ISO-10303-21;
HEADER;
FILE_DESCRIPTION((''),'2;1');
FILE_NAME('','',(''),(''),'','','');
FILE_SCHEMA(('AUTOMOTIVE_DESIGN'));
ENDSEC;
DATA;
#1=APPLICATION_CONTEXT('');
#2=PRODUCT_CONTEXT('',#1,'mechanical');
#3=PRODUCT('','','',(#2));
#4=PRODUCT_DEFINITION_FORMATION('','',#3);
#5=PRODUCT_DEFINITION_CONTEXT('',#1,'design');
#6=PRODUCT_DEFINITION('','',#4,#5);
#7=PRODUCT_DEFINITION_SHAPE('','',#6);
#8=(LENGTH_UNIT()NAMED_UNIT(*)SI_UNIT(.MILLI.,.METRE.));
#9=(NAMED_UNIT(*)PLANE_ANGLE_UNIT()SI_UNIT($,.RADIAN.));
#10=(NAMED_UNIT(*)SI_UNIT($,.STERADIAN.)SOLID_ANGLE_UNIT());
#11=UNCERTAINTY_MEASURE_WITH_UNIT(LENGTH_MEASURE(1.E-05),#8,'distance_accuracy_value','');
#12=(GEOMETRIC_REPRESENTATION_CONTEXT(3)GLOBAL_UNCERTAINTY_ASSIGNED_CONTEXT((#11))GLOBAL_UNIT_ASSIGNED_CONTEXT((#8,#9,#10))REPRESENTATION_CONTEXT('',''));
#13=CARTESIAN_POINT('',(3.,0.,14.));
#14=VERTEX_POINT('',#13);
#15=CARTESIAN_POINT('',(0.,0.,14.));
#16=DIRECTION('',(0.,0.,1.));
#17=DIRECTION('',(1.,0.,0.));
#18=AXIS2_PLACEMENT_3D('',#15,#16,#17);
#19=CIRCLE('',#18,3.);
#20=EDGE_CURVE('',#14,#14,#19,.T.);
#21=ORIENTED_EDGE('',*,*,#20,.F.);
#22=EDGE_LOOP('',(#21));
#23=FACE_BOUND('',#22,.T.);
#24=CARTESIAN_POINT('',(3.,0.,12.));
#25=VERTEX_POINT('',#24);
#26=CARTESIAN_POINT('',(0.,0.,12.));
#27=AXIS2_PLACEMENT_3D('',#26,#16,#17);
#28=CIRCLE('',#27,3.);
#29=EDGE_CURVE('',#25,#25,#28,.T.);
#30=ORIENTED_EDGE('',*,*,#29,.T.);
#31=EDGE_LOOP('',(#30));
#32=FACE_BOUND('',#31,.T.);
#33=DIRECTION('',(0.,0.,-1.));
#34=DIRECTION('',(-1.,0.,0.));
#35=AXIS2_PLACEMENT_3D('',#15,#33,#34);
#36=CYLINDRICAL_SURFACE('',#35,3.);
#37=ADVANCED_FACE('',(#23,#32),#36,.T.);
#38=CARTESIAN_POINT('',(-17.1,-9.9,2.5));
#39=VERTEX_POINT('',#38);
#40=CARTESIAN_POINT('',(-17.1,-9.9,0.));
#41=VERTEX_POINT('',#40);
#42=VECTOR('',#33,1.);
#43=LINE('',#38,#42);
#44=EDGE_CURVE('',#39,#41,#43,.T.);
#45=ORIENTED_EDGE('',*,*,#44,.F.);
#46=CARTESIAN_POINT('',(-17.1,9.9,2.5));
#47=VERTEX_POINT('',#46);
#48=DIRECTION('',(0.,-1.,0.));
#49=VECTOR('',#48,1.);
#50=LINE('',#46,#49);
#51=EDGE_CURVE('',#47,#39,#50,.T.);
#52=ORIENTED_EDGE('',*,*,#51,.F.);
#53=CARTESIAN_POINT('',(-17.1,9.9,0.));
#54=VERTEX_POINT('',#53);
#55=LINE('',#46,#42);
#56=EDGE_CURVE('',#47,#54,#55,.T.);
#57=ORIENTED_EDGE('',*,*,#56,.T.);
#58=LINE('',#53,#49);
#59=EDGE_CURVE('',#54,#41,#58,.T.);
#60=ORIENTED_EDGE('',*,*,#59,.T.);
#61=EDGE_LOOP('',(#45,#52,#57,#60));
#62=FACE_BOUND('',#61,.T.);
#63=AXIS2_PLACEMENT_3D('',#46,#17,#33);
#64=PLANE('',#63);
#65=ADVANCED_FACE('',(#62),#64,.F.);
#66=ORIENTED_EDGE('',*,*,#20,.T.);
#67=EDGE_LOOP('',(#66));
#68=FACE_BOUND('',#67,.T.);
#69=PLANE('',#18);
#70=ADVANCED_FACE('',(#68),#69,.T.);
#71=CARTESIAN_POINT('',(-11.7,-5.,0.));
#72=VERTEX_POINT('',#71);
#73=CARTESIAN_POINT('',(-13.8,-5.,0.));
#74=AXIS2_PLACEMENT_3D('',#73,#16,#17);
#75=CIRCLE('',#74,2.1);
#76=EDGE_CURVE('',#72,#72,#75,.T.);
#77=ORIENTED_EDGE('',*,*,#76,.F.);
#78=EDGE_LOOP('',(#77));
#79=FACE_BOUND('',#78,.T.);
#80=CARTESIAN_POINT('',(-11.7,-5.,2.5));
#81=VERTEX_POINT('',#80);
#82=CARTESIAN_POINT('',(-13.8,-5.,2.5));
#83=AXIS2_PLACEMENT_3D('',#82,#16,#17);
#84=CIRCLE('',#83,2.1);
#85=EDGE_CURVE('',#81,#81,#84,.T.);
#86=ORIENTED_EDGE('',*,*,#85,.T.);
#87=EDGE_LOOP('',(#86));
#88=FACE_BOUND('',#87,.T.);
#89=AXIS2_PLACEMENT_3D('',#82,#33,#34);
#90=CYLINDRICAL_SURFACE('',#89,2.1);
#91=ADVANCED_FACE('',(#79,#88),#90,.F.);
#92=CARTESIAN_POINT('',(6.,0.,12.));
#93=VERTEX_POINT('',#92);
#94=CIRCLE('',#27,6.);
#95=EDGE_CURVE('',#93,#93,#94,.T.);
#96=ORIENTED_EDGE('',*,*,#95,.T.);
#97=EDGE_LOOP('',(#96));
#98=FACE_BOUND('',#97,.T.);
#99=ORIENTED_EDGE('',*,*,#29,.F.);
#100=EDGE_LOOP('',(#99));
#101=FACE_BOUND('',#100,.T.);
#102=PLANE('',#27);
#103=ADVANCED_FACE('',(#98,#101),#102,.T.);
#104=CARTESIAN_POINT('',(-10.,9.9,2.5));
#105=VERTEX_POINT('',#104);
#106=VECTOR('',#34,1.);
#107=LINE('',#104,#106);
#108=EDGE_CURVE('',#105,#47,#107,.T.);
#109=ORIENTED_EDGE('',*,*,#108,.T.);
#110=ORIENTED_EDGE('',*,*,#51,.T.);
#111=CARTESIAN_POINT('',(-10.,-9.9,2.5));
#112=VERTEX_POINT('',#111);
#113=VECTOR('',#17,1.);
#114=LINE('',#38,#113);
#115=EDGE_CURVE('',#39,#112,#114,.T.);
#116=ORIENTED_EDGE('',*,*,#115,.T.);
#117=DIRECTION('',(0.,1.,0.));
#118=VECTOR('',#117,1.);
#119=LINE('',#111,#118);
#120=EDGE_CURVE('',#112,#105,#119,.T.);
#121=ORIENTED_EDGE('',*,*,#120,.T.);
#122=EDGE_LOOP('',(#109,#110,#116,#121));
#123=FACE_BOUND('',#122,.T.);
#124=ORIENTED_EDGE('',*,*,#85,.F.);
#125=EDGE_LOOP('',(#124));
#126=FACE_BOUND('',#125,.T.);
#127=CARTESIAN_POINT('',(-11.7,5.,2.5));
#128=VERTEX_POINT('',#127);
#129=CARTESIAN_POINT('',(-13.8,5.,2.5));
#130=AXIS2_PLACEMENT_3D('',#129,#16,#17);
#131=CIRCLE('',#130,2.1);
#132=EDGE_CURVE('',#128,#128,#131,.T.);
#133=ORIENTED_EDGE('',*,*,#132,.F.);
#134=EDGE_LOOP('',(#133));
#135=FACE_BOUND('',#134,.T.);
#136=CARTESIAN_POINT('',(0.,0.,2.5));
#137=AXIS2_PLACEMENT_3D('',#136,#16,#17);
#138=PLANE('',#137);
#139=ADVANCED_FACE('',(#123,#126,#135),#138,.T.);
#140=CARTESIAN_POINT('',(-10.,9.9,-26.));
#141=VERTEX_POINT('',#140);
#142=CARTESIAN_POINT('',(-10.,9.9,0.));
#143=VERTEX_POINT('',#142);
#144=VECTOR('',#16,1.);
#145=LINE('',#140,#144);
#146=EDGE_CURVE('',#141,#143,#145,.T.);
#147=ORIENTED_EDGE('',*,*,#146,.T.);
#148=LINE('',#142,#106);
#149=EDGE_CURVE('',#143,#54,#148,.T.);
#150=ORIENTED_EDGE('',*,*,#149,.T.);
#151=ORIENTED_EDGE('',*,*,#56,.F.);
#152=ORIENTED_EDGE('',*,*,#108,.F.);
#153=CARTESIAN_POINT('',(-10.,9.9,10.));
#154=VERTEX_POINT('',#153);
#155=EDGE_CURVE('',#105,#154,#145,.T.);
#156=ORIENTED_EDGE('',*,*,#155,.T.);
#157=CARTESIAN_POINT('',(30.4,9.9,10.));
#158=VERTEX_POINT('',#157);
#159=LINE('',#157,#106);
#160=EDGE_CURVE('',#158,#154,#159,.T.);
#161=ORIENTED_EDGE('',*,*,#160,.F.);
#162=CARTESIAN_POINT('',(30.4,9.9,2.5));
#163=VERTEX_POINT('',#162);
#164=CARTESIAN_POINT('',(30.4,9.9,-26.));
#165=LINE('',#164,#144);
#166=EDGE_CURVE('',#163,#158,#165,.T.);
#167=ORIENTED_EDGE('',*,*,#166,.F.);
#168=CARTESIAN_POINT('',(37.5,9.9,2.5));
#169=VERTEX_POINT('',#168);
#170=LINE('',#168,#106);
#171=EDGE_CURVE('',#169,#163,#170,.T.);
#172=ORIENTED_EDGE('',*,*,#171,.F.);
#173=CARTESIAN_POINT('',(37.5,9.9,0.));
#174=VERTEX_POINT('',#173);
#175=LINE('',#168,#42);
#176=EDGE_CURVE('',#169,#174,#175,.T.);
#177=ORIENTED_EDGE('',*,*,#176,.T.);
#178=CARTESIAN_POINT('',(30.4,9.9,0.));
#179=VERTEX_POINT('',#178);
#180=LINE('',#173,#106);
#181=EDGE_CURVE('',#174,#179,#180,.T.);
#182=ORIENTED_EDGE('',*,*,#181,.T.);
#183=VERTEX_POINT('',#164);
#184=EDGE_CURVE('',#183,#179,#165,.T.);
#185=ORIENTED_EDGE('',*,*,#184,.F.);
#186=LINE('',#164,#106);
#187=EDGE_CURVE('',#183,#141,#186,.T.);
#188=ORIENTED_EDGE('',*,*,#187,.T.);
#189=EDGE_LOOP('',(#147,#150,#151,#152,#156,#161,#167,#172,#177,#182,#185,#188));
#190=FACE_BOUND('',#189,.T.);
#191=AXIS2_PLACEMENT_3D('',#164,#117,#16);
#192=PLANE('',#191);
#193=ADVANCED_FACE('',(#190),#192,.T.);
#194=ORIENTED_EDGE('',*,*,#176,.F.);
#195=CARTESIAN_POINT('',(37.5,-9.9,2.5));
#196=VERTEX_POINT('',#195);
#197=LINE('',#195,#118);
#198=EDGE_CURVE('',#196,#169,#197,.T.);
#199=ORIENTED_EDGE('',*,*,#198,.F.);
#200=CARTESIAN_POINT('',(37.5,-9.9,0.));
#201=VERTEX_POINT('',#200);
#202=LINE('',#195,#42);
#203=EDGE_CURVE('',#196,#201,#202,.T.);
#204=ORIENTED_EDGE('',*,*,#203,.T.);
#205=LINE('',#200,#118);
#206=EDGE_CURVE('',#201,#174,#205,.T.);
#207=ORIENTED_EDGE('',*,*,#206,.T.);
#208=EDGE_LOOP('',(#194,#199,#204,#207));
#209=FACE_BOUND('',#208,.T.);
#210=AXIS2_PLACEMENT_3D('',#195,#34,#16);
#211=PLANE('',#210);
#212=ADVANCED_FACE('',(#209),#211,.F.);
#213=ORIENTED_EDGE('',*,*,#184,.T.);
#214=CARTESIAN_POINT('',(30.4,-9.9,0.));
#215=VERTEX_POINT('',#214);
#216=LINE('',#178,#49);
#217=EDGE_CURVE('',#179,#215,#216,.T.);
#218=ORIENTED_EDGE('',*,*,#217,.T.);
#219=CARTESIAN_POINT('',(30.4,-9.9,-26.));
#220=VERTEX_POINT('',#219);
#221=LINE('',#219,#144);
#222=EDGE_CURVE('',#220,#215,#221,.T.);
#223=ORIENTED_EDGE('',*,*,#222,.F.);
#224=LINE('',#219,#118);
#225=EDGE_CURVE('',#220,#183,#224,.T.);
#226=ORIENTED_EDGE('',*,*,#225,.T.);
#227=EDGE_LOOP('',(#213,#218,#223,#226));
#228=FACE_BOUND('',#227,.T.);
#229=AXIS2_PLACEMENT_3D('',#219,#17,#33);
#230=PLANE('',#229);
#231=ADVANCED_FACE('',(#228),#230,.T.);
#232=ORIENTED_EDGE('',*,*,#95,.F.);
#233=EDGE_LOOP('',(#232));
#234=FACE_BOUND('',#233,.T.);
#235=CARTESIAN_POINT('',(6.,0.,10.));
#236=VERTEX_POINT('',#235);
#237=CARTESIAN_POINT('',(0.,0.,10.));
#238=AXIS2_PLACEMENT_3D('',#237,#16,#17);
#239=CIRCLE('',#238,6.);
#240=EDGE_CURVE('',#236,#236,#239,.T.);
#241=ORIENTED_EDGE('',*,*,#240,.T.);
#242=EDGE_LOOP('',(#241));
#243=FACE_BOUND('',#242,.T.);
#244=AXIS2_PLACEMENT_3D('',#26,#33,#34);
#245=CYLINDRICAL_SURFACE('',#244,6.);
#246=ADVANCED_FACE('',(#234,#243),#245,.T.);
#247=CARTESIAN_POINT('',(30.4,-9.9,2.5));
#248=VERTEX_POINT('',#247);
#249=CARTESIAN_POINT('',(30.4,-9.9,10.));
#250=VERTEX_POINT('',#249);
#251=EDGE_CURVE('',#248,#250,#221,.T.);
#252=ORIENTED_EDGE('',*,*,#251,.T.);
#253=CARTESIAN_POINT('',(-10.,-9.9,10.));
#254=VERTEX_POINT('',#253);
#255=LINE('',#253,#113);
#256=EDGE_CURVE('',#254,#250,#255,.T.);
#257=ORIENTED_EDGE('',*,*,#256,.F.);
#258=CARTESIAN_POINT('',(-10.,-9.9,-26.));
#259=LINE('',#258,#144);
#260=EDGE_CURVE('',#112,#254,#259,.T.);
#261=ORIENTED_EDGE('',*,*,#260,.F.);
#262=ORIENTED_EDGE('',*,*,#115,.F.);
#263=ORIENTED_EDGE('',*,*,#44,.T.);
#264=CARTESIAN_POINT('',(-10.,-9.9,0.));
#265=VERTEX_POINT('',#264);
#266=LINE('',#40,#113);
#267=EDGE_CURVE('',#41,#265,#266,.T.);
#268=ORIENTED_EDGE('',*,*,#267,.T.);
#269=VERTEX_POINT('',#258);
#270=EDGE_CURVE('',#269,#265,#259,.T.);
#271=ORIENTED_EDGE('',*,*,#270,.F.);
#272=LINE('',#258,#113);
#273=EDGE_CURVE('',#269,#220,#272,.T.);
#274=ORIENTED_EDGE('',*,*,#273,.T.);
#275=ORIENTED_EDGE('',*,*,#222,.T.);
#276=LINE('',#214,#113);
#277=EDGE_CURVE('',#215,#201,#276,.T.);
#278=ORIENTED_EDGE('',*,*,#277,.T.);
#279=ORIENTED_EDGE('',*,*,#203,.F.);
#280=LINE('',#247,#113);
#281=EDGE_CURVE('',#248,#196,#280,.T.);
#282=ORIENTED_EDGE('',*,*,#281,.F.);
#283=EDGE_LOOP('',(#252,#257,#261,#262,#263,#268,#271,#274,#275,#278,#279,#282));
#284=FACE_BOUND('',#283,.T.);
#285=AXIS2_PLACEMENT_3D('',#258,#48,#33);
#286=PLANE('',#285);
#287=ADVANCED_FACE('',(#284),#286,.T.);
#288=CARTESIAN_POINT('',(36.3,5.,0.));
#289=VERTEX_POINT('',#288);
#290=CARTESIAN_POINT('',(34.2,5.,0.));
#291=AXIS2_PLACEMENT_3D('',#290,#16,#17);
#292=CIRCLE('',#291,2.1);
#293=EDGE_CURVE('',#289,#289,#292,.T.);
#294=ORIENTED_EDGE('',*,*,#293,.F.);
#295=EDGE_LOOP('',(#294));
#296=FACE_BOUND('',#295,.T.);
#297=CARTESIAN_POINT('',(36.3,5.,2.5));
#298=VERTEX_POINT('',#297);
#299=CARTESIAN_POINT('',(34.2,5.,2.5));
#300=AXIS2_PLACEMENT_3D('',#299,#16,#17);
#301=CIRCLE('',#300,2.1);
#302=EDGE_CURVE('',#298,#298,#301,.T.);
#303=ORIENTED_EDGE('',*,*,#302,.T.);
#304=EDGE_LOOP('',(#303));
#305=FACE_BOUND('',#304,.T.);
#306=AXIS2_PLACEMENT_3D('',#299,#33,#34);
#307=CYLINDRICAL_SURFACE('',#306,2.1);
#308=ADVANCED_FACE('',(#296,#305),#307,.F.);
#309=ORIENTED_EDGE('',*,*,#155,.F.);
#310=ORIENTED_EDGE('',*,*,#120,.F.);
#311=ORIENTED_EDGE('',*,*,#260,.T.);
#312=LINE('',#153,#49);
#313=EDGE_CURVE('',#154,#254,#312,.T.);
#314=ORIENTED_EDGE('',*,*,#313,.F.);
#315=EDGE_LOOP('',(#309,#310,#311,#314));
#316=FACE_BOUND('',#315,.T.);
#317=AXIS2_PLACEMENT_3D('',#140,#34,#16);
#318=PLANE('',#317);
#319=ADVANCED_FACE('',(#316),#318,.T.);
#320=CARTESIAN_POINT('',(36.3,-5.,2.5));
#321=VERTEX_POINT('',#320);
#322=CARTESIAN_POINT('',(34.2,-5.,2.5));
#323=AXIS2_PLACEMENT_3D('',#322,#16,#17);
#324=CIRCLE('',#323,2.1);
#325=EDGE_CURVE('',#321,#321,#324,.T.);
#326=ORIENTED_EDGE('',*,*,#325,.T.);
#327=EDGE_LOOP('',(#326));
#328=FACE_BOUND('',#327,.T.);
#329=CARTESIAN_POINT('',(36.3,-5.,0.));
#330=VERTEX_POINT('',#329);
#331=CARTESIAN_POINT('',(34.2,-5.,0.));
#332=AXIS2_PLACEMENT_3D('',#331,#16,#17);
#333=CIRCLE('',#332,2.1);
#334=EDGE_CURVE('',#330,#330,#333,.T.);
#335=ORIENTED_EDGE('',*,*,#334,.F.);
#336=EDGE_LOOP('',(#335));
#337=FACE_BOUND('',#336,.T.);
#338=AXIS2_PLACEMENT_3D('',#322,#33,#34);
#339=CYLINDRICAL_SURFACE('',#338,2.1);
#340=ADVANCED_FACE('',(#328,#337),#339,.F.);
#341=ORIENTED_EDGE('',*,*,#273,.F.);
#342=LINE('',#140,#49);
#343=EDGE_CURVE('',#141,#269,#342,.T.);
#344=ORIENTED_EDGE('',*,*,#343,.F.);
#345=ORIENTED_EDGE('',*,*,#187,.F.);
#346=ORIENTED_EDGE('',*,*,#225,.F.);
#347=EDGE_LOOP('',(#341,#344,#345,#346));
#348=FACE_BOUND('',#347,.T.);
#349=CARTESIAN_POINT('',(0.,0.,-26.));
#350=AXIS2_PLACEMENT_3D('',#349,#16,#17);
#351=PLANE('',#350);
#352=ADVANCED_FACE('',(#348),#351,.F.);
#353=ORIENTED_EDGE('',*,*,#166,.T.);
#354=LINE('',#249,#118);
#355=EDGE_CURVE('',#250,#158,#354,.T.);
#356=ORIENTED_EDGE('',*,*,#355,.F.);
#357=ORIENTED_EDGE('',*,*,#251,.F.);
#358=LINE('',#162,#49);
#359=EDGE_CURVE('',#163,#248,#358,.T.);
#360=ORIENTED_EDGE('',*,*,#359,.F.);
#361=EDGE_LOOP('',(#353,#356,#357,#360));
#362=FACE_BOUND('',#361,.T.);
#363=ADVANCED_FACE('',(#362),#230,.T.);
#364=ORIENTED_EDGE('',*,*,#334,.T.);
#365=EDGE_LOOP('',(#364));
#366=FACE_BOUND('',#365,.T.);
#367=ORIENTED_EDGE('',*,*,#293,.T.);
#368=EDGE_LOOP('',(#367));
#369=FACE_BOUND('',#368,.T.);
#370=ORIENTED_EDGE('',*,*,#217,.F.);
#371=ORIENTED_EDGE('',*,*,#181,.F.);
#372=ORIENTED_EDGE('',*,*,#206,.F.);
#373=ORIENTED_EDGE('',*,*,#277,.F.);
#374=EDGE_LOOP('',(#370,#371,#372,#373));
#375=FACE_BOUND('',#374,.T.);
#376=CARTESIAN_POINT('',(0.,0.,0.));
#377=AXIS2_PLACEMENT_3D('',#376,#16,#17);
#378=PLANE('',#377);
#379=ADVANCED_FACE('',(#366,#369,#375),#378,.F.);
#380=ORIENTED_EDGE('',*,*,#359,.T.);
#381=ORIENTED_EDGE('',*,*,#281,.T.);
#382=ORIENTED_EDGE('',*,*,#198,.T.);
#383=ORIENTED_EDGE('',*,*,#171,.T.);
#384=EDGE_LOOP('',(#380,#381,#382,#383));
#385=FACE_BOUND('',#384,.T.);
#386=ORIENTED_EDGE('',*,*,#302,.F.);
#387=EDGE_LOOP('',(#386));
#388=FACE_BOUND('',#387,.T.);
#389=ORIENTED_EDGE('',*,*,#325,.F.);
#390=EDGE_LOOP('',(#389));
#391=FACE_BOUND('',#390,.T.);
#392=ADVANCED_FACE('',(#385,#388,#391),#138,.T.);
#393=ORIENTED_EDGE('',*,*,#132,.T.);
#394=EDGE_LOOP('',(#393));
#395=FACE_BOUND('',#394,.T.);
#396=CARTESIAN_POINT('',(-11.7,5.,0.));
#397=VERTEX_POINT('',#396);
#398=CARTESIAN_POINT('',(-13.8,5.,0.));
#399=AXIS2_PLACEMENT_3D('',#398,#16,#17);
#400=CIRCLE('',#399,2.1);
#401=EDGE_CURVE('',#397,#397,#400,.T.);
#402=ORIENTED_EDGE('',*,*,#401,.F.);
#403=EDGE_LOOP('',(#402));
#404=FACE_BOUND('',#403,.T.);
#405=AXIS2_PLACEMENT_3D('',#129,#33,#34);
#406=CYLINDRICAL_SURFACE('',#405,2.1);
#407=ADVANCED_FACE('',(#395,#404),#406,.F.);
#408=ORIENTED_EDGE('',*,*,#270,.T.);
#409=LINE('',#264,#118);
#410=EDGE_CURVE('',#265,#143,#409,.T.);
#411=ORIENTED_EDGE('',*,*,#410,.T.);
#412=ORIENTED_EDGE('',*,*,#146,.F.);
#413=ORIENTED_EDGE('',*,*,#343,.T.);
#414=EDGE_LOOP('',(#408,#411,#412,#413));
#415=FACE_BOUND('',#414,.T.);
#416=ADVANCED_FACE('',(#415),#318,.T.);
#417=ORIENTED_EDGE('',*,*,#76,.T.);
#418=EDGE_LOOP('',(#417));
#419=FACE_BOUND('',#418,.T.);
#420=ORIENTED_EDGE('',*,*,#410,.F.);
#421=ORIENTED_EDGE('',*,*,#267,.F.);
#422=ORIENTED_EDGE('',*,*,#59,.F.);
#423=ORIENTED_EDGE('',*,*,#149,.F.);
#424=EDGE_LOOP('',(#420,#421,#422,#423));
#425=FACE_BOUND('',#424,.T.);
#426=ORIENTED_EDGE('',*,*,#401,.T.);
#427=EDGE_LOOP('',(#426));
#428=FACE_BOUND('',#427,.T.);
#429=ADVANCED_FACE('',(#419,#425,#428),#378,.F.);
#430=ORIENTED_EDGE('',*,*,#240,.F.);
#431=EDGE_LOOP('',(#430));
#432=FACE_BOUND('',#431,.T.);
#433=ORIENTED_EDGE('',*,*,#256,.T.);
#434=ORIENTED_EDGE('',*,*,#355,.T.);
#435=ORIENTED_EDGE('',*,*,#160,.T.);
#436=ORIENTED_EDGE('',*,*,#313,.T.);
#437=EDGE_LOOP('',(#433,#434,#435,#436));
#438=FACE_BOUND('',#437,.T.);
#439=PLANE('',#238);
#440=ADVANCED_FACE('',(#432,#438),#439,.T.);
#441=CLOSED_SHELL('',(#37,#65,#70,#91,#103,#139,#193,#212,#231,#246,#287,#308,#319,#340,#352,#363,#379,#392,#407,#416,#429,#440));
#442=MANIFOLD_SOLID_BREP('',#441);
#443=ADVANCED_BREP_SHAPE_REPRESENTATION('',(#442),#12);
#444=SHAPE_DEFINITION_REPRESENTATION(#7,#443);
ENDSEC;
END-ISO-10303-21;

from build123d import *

# Parameters (mm, degrees)
BOSS_EXTRUDE1_DEPTH      = 10
BOSS_EXTRUDE1_DEPTH_BACK = 26
SKETCH1_W                = 40.4
SKETCH1_H                = 19.8
SKETCH2_W                = 7.1
SKETCH2_H                = 19.8
SKETCH2_R                = 2.1
BOSS_EXTRUDE2_DEPTH      = 2.5
SKETCH3_W                = 7.1
SKETCH3_H                = 19.8
SKETCH3_R                = 2.1
BOSS_EXTRUDE3_DEPTH      = 2.5
BOSS_EXTRUDE4_START      = 10
SKETCH4_R                = 6
BOSS_EXTRUDE4_DEPTH      = 2
BOSS_EXTRUDE5_START      = 12
SKETCH5_R                = 3
BOSS_EXTRUDE5_DEPTH      = 2


with BuildPart() as part:
    # Sketch1 → Boss-Extrude1 (new, two sides: drawn at the far end of the back side and taken through both)
    with BuildSketch(Plane.XY.offset(-BOSS_EXTRUDE1_DEPTH_BACK)):
        with Locations((10.2, 0)):
            Rectangle(SKETCH1_W, SKETCH1_H)
    extrude(amount=BOSS_EXTRUDE1_DEPTH + BOSS_EXTRUDE1_DEPTH_BACK)

    # Sketch2 → Boss-Extrude2 (add)
    with BuildSketch(Plane.XY):
        with Locations((-13.55, 0)):
            Rectangle(SKETCH2_W, SKETCH2_H)
        with Locations((-13.8, 5)):
            Circle(SKETCH2_R, mode=Mode.SUBTRACT)
        with Locations((-13.8, -5)):
            Circle(SKETCH2_R, mode=Mode.SUBTRACT)
    extrude(amount=BOSS_EXTRUDE2_DEPTH)

    # Sketch3 → Boss-Extrude3 (add)
    with BuildSketch(Plane.XY):
        with Locations((33.95, 0)):
            Rectangle(SKETCH3_W, SKETCH3_H)
        with Locations((34.2, 5)):
            Circle(SKETCH3_R, mode=Mode.SUBTRACT)
        with Locations((34.2, -5)):
            Circle(SKETCH3_R, mode=Mode.SUBTRACT)
    extrude(amount=BOSS_EXTRUDE3_DEPTH)

    # Sketch4 → Boss-Extrude4 (add)
    with BuildSketch(Plane.XY.offset(BOSS_EXTRUDE4_START)):
        Circle(SKETCH4_R)
    extrude(amount=BOSS_EXTRUDE4_DEPTH)

    # Sketch5 → Boss-Extrude5 (add)
    with BuildSketch(Plane.XY.offset(BOSS_EXTRUDE5_START)):
        Circle(SKETCH5_R)
    extrude(amount=BOSS_EXTRUDE5_DEPTH)


solid = part.part
